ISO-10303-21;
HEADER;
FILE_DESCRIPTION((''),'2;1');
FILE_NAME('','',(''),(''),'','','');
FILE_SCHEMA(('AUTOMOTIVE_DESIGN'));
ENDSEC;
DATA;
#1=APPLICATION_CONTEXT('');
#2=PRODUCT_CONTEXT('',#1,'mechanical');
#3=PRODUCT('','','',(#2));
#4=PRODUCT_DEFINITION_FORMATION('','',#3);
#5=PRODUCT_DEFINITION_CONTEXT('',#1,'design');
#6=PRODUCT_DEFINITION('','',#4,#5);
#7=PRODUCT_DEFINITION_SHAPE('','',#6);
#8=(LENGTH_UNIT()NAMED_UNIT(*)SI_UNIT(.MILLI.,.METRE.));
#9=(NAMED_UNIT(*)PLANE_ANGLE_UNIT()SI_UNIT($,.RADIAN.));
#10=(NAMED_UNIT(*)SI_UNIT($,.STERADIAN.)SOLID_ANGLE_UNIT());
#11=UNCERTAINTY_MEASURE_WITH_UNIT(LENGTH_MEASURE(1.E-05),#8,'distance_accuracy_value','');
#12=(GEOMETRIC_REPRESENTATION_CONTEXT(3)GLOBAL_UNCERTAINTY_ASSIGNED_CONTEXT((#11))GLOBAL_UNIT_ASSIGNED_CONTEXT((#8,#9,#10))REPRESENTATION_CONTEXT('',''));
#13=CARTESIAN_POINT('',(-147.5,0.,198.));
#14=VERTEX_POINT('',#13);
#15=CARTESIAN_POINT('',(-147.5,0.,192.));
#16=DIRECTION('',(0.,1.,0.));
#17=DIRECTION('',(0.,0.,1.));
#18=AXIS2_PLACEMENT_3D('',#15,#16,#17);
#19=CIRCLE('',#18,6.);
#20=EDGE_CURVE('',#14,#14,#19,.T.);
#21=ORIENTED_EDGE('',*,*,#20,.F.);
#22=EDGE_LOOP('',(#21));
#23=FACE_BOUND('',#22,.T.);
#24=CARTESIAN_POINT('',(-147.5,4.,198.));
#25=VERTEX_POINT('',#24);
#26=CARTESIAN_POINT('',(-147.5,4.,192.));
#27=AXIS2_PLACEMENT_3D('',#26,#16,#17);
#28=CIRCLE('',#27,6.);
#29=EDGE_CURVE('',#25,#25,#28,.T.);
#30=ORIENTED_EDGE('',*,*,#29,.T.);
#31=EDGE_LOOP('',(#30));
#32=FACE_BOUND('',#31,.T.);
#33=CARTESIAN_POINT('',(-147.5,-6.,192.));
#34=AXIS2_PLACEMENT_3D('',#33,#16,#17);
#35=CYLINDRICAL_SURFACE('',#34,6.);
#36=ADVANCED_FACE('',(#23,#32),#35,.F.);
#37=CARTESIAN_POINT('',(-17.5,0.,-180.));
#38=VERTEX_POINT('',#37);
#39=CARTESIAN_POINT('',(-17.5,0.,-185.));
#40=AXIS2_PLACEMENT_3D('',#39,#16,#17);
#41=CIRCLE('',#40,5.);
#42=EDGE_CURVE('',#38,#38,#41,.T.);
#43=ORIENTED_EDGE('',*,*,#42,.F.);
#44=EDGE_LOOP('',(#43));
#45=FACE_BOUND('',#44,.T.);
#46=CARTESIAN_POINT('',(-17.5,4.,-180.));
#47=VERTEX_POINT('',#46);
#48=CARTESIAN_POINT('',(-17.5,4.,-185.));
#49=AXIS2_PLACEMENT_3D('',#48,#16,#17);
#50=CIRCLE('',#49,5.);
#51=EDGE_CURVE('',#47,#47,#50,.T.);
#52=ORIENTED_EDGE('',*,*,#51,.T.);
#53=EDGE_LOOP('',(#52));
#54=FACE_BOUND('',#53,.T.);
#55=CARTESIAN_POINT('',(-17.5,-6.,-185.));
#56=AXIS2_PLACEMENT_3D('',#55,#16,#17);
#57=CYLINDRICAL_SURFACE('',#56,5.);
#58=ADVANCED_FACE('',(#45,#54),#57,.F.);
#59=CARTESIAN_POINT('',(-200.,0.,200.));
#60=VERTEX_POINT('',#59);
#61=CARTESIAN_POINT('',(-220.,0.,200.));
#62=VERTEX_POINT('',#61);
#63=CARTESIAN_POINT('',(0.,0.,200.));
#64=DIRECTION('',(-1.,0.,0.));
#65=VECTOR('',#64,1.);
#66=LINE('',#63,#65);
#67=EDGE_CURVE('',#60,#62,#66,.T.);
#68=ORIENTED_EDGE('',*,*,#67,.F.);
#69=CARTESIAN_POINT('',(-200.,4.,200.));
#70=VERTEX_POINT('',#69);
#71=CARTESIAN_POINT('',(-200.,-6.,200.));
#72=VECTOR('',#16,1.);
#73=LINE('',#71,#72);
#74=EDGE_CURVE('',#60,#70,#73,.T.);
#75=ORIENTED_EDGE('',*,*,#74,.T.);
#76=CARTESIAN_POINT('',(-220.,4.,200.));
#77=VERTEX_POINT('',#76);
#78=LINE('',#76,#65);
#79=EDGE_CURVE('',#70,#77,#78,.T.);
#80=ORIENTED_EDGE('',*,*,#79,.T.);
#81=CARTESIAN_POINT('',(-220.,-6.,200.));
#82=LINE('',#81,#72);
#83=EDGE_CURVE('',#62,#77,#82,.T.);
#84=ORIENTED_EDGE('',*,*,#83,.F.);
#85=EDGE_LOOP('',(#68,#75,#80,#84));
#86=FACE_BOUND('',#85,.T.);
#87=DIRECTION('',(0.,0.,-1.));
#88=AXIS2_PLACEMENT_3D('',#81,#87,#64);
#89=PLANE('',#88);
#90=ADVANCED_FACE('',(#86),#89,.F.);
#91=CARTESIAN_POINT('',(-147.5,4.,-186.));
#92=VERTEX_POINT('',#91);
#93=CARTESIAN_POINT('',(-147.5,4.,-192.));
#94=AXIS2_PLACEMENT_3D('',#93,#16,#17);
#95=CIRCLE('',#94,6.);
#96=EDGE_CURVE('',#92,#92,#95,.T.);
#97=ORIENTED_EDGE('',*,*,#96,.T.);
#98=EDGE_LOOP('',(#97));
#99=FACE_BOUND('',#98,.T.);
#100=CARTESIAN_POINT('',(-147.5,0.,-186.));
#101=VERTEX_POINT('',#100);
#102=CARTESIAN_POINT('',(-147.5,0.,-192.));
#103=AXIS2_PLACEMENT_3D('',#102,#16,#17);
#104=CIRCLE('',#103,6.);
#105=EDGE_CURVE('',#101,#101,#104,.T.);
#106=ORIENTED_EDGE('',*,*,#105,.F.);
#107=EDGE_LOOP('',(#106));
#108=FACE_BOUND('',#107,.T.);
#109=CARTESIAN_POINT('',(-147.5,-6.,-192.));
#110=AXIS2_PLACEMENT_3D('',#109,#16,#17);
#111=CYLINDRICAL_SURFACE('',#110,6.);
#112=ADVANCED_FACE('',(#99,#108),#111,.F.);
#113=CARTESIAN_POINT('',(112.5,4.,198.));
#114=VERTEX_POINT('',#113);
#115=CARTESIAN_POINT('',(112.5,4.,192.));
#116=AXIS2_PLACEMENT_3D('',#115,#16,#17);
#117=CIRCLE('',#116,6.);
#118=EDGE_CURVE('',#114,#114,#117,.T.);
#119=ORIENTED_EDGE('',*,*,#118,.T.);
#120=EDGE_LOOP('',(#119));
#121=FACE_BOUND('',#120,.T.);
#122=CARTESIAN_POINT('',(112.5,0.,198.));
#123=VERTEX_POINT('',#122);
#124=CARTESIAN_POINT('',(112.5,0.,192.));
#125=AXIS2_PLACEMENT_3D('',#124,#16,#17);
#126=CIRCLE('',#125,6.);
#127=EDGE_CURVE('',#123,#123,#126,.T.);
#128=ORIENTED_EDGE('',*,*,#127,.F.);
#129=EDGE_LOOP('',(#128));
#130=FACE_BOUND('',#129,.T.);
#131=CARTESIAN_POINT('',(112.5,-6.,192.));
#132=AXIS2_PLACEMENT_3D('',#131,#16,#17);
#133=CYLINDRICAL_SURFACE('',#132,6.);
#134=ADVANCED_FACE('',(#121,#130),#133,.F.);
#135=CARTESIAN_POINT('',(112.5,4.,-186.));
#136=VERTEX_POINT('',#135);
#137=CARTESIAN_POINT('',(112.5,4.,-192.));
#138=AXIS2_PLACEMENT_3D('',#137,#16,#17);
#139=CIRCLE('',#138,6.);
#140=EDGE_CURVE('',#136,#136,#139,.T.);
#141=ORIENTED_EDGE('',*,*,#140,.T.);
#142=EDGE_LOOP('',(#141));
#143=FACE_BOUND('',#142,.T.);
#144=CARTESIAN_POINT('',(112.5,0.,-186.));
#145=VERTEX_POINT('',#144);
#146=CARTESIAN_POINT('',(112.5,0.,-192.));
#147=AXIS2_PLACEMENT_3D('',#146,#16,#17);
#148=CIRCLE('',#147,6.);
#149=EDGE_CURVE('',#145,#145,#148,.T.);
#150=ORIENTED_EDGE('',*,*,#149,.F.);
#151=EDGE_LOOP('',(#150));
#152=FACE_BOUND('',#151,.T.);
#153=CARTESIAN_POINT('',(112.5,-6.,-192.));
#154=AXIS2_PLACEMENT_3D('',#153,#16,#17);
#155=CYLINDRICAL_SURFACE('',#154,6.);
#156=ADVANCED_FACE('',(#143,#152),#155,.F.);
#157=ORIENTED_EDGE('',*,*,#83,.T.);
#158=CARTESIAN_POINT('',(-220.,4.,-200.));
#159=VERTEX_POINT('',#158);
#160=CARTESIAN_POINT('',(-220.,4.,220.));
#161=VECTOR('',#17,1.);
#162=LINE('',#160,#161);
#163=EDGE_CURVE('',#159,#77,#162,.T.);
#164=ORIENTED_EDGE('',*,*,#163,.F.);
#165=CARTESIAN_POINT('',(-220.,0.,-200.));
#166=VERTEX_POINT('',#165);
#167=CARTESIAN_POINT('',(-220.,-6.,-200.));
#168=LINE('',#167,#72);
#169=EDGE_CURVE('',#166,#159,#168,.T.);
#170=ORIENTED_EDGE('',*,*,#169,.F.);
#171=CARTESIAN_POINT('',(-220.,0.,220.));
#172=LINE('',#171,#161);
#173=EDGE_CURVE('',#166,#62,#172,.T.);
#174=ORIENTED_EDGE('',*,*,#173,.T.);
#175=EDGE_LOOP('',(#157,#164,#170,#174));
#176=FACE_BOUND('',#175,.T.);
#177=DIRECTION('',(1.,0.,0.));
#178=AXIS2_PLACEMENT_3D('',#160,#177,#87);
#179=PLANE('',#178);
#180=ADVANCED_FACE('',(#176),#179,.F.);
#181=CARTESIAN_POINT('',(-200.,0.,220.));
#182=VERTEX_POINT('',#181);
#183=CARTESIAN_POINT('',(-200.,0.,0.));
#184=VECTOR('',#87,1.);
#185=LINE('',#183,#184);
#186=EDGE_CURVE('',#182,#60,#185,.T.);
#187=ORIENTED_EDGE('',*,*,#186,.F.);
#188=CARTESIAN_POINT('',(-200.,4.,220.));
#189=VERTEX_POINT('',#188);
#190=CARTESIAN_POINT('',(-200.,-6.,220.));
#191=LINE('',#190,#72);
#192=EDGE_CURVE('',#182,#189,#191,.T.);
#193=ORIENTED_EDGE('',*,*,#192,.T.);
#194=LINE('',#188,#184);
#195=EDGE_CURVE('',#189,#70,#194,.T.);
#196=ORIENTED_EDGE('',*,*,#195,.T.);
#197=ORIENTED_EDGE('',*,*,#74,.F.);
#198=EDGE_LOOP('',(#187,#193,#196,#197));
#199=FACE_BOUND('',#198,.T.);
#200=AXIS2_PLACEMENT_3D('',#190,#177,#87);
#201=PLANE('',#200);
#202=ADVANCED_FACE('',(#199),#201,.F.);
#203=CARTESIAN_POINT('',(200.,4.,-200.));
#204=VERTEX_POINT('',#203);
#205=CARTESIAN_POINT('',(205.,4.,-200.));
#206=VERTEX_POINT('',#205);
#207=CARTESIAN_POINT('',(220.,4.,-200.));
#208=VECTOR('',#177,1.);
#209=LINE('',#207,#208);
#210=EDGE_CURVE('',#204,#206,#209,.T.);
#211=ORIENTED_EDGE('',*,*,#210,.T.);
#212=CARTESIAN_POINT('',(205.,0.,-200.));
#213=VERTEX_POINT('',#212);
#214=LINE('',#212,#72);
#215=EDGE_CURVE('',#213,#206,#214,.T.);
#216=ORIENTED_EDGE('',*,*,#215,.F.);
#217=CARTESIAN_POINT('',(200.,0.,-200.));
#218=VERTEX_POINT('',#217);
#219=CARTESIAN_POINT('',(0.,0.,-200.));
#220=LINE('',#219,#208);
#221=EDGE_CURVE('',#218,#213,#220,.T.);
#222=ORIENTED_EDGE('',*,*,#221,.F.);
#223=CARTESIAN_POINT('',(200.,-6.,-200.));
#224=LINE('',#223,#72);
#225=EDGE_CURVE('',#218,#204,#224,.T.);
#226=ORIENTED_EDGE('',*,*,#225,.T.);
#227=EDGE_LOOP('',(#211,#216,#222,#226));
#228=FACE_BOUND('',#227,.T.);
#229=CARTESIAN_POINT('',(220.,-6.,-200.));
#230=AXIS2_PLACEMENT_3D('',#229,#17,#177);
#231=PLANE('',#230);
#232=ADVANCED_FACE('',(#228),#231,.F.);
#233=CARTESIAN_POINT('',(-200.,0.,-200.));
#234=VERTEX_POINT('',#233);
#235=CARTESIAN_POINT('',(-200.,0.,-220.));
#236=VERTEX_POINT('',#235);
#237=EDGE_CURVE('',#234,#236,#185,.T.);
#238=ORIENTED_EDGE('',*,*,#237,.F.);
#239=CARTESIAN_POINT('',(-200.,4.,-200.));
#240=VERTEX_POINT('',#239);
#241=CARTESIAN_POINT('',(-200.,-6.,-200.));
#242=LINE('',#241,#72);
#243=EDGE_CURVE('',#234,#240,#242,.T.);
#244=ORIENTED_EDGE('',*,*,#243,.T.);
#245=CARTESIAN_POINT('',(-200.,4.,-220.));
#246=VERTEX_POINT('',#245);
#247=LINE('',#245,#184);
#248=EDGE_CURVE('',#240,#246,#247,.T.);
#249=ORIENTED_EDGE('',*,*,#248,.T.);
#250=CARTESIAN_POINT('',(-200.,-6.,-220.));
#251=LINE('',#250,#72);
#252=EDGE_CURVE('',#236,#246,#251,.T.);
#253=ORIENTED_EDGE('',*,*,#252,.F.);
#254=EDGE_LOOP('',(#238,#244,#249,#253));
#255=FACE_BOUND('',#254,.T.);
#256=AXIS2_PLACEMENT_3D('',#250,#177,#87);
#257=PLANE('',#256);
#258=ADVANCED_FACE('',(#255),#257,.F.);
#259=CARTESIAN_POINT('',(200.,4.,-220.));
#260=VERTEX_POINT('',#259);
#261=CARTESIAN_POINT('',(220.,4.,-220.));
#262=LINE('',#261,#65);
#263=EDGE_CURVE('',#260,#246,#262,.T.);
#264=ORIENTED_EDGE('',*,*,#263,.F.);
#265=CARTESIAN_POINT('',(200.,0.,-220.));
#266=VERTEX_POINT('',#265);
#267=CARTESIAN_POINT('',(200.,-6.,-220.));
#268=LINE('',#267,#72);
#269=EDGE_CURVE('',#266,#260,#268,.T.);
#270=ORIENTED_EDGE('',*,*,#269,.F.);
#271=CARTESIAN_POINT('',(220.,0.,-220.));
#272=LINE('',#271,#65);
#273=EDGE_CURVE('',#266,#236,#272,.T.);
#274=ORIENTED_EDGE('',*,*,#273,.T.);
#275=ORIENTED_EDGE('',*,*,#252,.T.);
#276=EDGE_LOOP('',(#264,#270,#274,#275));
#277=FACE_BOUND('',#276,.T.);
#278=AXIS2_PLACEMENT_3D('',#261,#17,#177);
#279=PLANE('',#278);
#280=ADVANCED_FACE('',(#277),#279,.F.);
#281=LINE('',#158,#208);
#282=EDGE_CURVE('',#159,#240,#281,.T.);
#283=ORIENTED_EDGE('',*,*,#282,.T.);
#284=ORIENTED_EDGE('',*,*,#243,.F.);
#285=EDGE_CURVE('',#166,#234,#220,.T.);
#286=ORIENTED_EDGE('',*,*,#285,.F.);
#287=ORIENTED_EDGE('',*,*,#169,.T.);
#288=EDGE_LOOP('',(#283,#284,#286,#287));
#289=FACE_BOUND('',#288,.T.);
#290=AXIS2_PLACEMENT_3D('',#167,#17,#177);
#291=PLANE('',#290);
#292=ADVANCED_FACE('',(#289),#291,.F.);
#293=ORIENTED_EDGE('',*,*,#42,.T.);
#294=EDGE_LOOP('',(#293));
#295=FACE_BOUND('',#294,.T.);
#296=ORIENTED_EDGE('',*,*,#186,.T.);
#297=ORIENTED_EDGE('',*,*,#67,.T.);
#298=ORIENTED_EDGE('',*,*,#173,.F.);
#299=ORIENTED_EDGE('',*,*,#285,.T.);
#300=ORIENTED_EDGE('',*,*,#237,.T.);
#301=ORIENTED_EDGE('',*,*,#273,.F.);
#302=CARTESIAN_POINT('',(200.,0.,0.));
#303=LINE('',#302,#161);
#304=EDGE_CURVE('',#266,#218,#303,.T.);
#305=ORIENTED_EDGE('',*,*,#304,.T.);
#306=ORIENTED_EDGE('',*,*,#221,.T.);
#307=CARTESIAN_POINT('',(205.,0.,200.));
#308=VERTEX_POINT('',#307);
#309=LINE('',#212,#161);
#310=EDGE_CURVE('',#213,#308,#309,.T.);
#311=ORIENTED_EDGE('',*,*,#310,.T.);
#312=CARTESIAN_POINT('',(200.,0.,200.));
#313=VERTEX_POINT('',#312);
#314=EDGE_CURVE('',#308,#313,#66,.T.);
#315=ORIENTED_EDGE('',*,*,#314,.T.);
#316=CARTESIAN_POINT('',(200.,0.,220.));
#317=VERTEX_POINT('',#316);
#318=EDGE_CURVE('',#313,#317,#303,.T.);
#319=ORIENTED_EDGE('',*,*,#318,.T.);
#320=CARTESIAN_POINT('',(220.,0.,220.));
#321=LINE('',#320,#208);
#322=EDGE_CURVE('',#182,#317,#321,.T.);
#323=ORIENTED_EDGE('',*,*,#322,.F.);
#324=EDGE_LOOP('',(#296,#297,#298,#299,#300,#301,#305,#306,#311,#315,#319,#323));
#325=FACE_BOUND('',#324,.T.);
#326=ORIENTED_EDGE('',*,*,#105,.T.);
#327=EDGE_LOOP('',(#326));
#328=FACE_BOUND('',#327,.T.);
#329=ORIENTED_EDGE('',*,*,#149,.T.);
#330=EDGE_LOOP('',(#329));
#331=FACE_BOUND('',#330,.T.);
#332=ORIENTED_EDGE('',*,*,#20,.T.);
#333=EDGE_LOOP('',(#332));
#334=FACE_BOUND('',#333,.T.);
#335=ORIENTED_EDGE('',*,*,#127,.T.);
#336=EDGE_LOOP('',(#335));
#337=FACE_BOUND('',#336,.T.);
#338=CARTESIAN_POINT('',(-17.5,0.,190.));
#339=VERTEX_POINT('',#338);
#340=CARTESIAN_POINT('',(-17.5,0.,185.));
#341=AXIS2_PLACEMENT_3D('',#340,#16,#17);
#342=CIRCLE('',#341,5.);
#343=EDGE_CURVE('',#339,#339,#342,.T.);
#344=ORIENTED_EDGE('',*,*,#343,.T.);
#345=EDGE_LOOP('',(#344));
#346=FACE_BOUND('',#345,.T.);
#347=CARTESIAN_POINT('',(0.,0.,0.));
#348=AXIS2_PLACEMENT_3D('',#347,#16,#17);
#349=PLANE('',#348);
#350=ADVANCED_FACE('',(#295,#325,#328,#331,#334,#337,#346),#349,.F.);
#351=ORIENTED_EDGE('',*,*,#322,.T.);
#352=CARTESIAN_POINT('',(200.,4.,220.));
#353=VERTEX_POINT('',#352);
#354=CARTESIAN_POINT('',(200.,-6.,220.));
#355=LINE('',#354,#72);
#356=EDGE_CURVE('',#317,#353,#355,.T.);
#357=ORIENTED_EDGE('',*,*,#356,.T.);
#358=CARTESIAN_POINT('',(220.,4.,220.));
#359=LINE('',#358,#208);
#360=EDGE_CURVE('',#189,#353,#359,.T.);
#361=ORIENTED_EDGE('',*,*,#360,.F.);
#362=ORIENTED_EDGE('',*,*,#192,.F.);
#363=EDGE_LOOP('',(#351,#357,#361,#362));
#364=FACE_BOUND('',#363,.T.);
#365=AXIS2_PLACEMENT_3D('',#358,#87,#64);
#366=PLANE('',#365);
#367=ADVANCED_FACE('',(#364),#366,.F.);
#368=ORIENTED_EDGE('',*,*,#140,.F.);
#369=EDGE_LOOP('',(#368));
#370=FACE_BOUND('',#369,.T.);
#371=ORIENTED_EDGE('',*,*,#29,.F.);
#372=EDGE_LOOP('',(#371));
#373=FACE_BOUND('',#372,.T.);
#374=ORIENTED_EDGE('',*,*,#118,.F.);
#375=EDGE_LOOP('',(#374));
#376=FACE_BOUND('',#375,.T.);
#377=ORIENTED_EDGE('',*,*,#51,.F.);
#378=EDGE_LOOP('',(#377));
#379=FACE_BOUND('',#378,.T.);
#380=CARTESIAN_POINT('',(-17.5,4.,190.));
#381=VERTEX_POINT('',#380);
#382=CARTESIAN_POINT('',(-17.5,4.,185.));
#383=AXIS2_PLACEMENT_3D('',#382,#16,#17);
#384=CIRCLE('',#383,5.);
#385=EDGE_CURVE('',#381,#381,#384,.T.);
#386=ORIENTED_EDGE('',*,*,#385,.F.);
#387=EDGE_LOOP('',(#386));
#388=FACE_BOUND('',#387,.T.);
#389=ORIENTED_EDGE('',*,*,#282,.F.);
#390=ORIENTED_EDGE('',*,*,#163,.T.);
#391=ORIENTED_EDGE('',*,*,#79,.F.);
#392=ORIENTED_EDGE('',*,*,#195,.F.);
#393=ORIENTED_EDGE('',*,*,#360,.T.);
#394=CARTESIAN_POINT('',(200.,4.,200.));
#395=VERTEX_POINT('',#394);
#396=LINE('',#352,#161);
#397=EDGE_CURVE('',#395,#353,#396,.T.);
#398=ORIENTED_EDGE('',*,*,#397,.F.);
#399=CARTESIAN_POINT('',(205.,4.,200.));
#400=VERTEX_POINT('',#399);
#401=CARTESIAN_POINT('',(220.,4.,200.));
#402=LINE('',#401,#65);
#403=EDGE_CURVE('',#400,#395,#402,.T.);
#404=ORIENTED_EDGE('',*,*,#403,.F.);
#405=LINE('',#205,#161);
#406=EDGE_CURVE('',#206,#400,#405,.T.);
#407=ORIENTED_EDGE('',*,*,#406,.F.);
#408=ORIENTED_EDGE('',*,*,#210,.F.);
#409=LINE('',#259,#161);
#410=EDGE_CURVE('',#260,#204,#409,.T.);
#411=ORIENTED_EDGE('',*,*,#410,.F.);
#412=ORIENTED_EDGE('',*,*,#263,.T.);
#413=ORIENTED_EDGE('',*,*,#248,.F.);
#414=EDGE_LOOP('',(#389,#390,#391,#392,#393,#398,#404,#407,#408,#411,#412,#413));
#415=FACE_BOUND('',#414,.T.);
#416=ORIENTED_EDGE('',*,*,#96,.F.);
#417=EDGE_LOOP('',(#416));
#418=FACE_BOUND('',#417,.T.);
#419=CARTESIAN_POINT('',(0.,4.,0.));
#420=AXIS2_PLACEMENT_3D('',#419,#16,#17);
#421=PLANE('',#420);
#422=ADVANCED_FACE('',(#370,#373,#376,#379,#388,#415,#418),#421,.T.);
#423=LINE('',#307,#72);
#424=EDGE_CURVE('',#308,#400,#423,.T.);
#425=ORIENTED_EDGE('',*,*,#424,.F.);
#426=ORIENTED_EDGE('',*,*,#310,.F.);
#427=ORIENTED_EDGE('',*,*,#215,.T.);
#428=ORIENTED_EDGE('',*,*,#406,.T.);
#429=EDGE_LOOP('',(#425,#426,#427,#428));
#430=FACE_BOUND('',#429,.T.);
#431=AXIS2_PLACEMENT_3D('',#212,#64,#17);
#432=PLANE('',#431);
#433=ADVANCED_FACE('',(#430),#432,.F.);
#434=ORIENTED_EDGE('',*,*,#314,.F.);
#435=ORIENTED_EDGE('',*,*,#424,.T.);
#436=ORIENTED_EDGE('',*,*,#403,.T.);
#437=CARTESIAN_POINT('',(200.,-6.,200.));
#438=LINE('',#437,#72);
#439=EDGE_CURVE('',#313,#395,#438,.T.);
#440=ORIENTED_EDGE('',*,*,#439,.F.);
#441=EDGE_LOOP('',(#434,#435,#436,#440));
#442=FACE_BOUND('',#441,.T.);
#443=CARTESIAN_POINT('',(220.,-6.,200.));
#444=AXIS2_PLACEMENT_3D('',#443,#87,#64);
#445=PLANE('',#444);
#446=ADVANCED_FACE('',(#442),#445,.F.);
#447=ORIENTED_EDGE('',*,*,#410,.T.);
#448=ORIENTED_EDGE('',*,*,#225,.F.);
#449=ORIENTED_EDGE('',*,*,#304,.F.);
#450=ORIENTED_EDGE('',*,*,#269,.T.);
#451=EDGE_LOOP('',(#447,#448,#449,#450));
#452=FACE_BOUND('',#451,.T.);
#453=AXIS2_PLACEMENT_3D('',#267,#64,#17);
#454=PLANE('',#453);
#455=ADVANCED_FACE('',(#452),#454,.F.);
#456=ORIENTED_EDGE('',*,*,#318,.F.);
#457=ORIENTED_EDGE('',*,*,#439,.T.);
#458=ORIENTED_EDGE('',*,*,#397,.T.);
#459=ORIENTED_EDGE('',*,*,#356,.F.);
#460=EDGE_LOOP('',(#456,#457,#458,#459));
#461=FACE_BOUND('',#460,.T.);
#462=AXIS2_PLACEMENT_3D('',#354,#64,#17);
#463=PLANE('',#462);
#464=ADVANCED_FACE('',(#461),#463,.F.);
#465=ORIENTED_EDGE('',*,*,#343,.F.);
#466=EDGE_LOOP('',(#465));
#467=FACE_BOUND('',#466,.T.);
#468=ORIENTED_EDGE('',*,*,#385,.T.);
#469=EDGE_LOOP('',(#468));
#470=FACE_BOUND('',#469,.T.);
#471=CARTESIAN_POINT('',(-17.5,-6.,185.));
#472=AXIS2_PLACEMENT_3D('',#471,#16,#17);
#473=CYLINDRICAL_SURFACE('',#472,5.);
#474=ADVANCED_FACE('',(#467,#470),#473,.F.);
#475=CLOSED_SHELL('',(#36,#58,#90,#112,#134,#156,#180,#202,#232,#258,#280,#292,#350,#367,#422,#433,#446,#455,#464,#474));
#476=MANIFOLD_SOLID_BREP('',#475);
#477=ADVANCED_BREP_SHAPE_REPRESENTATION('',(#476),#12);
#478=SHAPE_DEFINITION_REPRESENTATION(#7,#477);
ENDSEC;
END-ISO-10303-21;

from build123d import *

# Parameters (mm, degrees)
SKETCH1_W           = 440
SKETCH1_H           = 440
BOSS_EXTRUDE1_DEPTH = 4
SKETCH3_W           = 20
SKETCH3_H           = 20
CUT_EXTRUDE1_DEPTH  = 10
SKETCH4_R           = 6
SKETCH4_R_2         = 5
CUT_EXTRUDE2_DEPTH  = 10
SKETCH5_W           = 15
SKETCH5_H           = 400
CUT_EXTRUDE3_DEPTH  = 312.152695634


with BuildPart() as part:
    # Sketch1 → Boss-Extrude1 (new body)
    with BuildSketch(Plane(origin=(0, 0, 0), x_dir=(1, 0, 0), z_dir=(0, 1, 0))):
        Rectangle(SKETCH1_W, SKETCH1_H)
    extrude(amount=BOSS_EXTRUDE1_DEPTH)

    # Sketch3 → Cut-Extrude1 (cut)
    with BuildSketch(Plane(origin=(0, 4, 0), x_dir=(1, 0, 0), z_dir=(0, 1, 0))):
        with Locations((-210, -210)):
            Rectangle(SKETCH3_W, SKETCH3_H)
        with Locations((210, -210)):
            Rectangle(SKETCH3_W, SKETCH3_H)
        with Locations((210, 210)):
            Rectangle(SKETCH3_W, SKETCH3_H)
        with Locations((-210, 210)):
            Rectangle(SKETCH3_W, SKETCH3_H)
    extrude(amount=-CUT_EXTRUDE1_DEPTH, mode=Mode.SUBTRACT)

    # Sketch4 → Cut-Extrude2 (cut)
    with BuildSketch(Plane(origin=(0, 4, 0), x_dir=(1, 0, 0), z_dir=(0, 1, 0))):
        with Locations(Location((-147.5, 192, 0), (0, 0, 270))):
            Circle(SKETCH4_R)
        with Locations(Location((112.5, 192, 0), (0, 0, 270))):
            Circle(SKETCH4_R)
        with Locations(Location((-17.5, 185, 0), (0, 0, 270))):
            Circle(SKETCH4_R_2)
        with Locations(Location((112.5, -192, 0), (0, 0, 270))):
            Circle(SKETCH4_R)
        with Locations(Location((-17.5, -185, 0), (0, 0, 270))):
            Circle(SKETCH4_R_2)
        with Locations(Location((-147.5, -192, 0), (0, 0, 270))):
            Circle(SKETCH4_R)
    extrude(amount=-CUT_EXTRUDE2_DEPTH, mode=Mode.SUBTRACT)

    # Sketch5 → Cut-Extrude3 (cut, through all)
    with BuildSketch(Plane(origin=(0, 4, 0), x_dir=(1, 0, 0), z_dir=(0, 1, 0))):
        with Locations((212.5, 0)):
            Rectangle(SKETCH5_W, SKETCH5_H)
    extrude(amount=-CUT_EXTRUDE3_DEPTH, mode=Mode.SUBTRACT)


solid = part.part
